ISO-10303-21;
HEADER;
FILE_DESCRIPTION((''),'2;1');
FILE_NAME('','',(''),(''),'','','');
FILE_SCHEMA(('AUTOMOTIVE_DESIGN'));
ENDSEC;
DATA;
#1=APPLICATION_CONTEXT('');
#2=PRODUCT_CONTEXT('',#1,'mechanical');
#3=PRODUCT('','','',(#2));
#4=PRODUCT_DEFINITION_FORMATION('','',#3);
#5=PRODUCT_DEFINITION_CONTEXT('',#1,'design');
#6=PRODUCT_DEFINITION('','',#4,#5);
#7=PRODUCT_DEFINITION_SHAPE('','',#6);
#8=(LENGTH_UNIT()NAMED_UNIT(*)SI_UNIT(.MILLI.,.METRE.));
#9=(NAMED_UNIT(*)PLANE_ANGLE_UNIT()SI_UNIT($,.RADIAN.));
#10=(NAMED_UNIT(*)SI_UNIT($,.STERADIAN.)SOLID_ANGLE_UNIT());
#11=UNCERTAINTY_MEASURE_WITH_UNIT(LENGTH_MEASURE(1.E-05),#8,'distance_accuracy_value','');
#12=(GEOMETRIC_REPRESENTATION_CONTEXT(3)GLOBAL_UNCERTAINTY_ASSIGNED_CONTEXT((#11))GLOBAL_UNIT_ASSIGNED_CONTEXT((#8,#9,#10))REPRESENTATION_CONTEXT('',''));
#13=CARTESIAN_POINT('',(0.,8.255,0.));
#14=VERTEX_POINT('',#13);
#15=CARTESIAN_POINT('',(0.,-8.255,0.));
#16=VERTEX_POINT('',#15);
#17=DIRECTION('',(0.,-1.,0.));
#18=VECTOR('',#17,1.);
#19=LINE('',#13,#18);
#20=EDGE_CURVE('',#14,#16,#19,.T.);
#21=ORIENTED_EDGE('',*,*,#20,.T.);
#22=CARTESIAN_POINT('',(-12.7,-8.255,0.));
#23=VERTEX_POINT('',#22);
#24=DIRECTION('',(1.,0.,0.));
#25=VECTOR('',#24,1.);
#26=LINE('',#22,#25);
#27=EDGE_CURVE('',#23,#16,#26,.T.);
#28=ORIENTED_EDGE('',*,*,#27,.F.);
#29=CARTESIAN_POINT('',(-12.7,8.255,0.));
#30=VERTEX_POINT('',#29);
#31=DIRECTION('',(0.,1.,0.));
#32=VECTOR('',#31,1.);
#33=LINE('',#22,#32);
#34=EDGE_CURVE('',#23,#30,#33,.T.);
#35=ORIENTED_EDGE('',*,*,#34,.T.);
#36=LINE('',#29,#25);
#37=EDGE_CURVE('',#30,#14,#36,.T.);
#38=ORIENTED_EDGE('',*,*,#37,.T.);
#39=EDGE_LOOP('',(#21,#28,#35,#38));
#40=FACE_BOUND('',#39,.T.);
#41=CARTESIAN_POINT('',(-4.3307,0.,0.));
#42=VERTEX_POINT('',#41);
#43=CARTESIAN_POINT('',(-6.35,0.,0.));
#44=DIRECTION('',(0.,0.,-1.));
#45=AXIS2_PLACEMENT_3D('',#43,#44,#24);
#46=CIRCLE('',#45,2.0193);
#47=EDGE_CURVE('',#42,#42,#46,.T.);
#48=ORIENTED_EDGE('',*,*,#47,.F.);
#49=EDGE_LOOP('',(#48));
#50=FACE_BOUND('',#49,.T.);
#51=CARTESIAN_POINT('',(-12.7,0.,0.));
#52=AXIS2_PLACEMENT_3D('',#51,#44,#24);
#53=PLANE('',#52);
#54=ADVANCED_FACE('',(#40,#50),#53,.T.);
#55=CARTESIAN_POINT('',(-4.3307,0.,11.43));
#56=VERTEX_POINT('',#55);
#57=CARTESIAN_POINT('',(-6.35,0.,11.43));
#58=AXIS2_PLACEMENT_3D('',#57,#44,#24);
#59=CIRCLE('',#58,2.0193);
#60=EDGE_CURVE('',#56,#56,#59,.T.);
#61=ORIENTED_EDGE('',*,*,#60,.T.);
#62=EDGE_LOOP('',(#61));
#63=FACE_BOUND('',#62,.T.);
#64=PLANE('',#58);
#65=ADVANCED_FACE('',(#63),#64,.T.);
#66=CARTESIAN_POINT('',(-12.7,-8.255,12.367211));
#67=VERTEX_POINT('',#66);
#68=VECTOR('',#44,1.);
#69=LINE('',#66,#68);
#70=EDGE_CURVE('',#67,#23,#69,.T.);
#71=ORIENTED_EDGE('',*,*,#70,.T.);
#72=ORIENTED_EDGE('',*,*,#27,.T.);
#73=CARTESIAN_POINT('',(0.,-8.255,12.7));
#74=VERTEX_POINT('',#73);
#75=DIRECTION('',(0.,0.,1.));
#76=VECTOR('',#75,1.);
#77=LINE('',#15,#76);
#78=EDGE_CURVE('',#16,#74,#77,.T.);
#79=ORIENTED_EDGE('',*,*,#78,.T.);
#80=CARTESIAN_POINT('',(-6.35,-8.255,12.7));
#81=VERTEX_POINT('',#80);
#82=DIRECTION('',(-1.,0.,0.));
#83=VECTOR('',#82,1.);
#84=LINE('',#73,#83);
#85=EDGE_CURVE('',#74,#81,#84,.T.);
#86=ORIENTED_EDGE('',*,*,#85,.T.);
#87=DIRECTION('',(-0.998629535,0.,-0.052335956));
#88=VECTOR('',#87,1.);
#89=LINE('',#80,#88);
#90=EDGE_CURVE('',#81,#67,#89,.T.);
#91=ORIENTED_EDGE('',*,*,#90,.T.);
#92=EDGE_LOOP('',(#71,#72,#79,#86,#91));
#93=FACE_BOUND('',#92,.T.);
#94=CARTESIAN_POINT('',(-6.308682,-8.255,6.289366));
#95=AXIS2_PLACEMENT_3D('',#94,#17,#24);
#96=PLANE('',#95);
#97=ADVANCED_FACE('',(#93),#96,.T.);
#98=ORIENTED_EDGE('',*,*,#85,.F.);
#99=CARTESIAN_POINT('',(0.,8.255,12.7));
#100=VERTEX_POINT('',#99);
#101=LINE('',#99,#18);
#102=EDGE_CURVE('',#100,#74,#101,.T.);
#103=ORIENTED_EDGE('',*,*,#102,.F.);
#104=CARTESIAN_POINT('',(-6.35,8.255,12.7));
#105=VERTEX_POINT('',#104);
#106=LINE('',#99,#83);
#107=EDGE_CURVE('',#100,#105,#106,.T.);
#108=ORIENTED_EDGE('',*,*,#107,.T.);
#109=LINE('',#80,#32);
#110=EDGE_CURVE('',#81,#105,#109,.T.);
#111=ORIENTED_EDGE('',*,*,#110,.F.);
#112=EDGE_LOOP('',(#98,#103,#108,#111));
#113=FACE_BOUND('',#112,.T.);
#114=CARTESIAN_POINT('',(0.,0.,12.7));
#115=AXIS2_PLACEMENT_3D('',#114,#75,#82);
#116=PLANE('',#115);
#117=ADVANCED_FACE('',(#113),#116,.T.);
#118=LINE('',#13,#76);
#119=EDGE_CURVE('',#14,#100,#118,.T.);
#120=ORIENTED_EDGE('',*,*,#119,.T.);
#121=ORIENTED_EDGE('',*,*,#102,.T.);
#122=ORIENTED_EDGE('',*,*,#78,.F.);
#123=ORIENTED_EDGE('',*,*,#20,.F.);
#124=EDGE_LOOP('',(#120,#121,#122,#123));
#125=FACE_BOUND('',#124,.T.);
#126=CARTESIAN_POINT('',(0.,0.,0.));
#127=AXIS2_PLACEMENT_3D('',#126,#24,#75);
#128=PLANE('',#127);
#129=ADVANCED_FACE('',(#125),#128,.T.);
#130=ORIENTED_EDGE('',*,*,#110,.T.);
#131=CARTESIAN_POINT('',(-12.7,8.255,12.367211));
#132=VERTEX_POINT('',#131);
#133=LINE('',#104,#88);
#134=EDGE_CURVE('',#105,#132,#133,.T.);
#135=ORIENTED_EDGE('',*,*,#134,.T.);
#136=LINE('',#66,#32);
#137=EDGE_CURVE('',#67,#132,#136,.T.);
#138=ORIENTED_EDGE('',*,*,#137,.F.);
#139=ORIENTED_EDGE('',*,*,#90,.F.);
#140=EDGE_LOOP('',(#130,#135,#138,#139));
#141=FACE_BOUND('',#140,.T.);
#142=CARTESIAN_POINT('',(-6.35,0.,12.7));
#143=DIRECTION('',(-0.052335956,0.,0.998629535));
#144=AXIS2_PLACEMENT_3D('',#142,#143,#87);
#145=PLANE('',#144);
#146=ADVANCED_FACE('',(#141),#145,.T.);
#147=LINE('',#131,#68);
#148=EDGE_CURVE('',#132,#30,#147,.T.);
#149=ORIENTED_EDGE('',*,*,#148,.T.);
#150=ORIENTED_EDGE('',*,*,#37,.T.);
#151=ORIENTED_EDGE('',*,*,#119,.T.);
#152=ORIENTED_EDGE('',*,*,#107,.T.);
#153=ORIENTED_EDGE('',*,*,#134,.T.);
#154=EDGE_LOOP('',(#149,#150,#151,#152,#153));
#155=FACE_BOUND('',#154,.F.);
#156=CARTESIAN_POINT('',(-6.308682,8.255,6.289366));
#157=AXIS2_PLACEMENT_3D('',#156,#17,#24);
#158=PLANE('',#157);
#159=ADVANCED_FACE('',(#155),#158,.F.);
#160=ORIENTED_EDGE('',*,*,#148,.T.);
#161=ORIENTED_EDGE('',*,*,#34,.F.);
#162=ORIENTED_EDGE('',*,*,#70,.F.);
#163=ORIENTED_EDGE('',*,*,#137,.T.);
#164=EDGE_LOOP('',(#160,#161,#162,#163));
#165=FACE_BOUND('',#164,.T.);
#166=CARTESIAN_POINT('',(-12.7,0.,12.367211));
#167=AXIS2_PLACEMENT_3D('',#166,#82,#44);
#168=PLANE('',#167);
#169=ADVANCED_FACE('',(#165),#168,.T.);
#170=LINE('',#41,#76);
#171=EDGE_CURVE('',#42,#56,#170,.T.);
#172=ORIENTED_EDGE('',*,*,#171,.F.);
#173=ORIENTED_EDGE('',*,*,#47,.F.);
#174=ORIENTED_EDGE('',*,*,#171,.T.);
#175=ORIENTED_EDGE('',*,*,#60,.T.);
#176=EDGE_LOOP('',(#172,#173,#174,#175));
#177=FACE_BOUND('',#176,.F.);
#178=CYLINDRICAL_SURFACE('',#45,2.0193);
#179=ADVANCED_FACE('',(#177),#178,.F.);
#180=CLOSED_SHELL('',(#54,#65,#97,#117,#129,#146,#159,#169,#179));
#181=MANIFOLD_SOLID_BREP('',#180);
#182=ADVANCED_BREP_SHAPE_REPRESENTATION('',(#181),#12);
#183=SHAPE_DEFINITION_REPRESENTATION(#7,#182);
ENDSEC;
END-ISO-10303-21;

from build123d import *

# Parameters (mm, degrees)
F1_DEPTH = 8.255
F2_R     = 2.0193
F3_DEPTH = 11.43


with BuildPart() as f1:
    # F0 (on Front) → F1 (new body, symmetric)
    with BuildSketch(Plane.XZ):
        Polygon((-12.7, 0), (0, 0), (0, 12.7), (-6.35, 12.7), (-12.7, 12.3672106016), align=None)
    extrude(amount=F1_DEPTH, both=True)

    # F2 (on face) → F3 (cut)
    with BuildSketch(Plane(origin=(0, 0, 0), x_dir=(1, 0, 0), z_dir=(0, 0, -1))):
        with Locations((-6.35, 0)):
            Circle(F2_R)
    extrude(amount=-F3_DEPTH, mode=Mode.SUBTRACT)


solid = f1.part
